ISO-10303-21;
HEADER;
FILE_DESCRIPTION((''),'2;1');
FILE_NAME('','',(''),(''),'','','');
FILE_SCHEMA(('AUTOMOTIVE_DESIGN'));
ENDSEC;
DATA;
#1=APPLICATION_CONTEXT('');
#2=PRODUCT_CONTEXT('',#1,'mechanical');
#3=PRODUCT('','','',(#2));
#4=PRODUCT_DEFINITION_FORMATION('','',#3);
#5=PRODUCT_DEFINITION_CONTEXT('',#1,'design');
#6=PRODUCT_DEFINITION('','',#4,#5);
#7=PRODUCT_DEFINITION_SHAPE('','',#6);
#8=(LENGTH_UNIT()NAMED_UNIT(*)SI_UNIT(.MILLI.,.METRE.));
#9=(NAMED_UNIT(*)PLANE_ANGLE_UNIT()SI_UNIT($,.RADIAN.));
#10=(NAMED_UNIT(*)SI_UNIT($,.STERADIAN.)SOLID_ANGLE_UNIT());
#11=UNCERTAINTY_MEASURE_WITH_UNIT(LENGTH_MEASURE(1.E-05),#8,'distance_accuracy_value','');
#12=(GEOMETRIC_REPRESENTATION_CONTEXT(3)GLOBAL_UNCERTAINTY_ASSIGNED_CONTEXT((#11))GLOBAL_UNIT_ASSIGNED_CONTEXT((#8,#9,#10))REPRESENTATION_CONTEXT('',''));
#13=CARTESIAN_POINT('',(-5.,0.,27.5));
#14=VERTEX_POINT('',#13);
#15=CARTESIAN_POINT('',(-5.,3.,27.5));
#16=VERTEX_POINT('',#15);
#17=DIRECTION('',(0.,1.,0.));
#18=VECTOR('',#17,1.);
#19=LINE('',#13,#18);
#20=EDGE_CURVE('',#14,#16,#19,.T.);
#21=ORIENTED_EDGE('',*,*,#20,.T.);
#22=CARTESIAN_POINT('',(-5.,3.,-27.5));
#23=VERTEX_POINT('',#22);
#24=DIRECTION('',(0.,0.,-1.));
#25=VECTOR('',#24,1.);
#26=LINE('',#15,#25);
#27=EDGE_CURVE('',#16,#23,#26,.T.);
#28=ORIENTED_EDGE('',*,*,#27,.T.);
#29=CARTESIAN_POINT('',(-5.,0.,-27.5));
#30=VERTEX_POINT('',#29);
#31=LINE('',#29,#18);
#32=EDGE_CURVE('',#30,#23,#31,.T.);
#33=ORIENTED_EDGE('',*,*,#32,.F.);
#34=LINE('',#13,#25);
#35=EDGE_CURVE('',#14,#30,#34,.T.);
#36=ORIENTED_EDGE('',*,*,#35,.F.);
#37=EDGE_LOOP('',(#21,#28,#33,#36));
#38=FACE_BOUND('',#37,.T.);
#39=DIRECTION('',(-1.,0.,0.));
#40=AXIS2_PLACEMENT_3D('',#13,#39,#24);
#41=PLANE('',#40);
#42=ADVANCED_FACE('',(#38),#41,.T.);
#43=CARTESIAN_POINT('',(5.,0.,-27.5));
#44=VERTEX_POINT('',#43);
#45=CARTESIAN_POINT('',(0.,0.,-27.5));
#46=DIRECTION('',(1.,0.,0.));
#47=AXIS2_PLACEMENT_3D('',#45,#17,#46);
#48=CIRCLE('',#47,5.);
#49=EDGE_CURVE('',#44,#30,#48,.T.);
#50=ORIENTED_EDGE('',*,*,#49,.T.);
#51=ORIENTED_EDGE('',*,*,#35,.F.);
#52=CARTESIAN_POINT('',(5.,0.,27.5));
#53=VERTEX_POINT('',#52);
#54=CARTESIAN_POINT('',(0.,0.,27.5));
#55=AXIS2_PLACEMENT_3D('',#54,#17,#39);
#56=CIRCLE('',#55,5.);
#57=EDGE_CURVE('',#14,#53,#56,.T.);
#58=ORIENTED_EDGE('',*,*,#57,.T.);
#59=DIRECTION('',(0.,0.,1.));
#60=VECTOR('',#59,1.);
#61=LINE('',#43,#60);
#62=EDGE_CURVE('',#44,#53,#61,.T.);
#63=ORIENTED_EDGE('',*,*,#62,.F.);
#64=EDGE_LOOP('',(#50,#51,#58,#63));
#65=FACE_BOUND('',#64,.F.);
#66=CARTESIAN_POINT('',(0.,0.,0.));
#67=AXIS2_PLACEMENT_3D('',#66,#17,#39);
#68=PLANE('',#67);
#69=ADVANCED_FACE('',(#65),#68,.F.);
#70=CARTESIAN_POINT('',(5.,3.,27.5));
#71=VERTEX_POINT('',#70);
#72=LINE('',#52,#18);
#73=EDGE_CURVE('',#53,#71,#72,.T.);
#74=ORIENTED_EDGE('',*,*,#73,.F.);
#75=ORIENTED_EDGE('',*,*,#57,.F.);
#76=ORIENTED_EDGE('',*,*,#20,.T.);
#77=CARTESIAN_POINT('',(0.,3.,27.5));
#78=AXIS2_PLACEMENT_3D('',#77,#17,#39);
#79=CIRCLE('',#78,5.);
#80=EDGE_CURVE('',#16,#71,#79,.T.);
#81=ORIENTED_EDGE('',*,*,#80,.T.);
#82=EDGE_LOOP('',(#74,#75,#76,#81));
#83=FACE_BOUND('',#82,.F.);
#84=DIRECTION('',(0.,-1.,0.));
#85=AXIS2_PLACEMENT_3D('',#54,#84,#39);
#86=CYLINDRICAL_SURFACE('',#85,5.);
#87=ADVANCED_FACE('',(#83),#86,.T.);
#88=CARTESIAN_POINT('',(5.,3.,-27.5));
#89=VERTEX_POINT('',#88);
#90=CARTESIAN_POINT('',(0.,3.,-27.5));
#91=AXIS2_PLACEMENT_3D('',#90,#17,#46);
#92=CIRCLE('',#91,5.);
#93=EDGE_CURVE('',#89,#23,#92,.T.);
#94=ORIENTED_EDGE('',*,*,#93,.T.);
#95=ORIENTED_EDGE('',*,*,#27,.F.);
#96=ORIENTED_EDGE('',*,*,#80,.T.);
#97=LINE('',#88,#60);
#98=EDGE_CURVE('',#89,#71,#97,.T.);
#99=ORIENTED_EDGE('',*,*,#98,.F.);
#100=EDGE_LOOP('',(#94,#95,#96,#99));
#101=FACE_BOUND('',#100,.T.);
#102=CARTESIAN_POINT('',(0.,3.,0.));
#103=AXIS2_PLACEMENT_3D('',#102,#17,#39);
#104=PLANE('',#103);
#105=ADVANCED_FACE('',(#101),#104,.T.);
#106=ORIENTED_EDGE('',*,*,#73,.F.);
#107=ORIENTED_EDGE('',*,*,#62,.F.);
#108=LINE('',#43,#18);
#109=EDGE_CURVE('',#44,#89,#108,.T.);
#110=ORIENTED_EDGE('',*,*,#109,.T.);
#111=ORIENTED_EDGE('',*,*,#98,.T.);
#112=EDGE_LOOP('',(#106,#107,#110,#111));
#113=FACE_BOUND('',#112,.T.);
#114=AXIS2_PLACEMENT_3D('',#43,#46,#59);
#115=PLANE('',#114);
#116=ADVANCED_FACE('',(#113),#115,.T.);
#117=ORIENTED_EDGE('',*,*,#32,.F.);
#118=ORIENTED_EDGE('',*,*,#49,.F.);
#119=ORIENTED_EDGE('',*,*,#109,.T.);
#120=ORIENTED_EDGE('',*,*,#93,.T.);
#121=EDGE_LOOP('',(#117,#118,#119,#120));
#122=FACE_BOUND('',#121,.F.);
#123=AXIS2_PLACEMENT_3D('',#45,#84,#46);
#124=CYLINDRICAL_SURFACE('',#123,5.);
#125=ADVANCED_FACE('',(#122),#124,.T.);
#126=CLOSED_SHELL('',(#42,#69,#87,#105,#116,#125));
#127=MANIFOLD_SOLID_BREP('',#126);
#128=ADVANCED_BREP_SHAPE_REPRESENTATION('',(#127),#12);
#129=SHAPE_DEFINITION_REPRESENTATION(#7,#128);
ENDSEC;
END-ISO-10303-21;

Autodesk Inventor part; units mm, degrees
ref_plane "YZ Plane" through (0, 0, 0) normal (1, 0, 0) x (0, 1, 0)
ref_plane "XZ Plane" through (0, 0, 0) normal (0, 1, 0) x (-1, 0, 0)
ref_plane "XY Plane" through (0, 0, 0) normal (0, 0, 1) x (1, 0, 0)
sketch "草图1" plane through (0, 0, 0) normal (0, 1, 0) x (-1, 0, 0)
  line L0 (0, -27.5) -> (0, 27.5) construction
  line L1 (-5, -27.5) -> (-5, 27.5)
  line L2 (5, 27.5) -> (5, -27.5)
  arc A0 (-5, -27.5) -> (5, -27.5) centre (0, -27.5) ccw
  arc A1 (5, 27.5) -> (-5, 27.5) centre (0, 27.5) ccw
  point P0 (0, 0)
  dimension "d0" = 55
  dimension "d1" = 5
extrude "拉伸1" add sketch "草图1" along normal blind 3
properties part number "连杆2"
